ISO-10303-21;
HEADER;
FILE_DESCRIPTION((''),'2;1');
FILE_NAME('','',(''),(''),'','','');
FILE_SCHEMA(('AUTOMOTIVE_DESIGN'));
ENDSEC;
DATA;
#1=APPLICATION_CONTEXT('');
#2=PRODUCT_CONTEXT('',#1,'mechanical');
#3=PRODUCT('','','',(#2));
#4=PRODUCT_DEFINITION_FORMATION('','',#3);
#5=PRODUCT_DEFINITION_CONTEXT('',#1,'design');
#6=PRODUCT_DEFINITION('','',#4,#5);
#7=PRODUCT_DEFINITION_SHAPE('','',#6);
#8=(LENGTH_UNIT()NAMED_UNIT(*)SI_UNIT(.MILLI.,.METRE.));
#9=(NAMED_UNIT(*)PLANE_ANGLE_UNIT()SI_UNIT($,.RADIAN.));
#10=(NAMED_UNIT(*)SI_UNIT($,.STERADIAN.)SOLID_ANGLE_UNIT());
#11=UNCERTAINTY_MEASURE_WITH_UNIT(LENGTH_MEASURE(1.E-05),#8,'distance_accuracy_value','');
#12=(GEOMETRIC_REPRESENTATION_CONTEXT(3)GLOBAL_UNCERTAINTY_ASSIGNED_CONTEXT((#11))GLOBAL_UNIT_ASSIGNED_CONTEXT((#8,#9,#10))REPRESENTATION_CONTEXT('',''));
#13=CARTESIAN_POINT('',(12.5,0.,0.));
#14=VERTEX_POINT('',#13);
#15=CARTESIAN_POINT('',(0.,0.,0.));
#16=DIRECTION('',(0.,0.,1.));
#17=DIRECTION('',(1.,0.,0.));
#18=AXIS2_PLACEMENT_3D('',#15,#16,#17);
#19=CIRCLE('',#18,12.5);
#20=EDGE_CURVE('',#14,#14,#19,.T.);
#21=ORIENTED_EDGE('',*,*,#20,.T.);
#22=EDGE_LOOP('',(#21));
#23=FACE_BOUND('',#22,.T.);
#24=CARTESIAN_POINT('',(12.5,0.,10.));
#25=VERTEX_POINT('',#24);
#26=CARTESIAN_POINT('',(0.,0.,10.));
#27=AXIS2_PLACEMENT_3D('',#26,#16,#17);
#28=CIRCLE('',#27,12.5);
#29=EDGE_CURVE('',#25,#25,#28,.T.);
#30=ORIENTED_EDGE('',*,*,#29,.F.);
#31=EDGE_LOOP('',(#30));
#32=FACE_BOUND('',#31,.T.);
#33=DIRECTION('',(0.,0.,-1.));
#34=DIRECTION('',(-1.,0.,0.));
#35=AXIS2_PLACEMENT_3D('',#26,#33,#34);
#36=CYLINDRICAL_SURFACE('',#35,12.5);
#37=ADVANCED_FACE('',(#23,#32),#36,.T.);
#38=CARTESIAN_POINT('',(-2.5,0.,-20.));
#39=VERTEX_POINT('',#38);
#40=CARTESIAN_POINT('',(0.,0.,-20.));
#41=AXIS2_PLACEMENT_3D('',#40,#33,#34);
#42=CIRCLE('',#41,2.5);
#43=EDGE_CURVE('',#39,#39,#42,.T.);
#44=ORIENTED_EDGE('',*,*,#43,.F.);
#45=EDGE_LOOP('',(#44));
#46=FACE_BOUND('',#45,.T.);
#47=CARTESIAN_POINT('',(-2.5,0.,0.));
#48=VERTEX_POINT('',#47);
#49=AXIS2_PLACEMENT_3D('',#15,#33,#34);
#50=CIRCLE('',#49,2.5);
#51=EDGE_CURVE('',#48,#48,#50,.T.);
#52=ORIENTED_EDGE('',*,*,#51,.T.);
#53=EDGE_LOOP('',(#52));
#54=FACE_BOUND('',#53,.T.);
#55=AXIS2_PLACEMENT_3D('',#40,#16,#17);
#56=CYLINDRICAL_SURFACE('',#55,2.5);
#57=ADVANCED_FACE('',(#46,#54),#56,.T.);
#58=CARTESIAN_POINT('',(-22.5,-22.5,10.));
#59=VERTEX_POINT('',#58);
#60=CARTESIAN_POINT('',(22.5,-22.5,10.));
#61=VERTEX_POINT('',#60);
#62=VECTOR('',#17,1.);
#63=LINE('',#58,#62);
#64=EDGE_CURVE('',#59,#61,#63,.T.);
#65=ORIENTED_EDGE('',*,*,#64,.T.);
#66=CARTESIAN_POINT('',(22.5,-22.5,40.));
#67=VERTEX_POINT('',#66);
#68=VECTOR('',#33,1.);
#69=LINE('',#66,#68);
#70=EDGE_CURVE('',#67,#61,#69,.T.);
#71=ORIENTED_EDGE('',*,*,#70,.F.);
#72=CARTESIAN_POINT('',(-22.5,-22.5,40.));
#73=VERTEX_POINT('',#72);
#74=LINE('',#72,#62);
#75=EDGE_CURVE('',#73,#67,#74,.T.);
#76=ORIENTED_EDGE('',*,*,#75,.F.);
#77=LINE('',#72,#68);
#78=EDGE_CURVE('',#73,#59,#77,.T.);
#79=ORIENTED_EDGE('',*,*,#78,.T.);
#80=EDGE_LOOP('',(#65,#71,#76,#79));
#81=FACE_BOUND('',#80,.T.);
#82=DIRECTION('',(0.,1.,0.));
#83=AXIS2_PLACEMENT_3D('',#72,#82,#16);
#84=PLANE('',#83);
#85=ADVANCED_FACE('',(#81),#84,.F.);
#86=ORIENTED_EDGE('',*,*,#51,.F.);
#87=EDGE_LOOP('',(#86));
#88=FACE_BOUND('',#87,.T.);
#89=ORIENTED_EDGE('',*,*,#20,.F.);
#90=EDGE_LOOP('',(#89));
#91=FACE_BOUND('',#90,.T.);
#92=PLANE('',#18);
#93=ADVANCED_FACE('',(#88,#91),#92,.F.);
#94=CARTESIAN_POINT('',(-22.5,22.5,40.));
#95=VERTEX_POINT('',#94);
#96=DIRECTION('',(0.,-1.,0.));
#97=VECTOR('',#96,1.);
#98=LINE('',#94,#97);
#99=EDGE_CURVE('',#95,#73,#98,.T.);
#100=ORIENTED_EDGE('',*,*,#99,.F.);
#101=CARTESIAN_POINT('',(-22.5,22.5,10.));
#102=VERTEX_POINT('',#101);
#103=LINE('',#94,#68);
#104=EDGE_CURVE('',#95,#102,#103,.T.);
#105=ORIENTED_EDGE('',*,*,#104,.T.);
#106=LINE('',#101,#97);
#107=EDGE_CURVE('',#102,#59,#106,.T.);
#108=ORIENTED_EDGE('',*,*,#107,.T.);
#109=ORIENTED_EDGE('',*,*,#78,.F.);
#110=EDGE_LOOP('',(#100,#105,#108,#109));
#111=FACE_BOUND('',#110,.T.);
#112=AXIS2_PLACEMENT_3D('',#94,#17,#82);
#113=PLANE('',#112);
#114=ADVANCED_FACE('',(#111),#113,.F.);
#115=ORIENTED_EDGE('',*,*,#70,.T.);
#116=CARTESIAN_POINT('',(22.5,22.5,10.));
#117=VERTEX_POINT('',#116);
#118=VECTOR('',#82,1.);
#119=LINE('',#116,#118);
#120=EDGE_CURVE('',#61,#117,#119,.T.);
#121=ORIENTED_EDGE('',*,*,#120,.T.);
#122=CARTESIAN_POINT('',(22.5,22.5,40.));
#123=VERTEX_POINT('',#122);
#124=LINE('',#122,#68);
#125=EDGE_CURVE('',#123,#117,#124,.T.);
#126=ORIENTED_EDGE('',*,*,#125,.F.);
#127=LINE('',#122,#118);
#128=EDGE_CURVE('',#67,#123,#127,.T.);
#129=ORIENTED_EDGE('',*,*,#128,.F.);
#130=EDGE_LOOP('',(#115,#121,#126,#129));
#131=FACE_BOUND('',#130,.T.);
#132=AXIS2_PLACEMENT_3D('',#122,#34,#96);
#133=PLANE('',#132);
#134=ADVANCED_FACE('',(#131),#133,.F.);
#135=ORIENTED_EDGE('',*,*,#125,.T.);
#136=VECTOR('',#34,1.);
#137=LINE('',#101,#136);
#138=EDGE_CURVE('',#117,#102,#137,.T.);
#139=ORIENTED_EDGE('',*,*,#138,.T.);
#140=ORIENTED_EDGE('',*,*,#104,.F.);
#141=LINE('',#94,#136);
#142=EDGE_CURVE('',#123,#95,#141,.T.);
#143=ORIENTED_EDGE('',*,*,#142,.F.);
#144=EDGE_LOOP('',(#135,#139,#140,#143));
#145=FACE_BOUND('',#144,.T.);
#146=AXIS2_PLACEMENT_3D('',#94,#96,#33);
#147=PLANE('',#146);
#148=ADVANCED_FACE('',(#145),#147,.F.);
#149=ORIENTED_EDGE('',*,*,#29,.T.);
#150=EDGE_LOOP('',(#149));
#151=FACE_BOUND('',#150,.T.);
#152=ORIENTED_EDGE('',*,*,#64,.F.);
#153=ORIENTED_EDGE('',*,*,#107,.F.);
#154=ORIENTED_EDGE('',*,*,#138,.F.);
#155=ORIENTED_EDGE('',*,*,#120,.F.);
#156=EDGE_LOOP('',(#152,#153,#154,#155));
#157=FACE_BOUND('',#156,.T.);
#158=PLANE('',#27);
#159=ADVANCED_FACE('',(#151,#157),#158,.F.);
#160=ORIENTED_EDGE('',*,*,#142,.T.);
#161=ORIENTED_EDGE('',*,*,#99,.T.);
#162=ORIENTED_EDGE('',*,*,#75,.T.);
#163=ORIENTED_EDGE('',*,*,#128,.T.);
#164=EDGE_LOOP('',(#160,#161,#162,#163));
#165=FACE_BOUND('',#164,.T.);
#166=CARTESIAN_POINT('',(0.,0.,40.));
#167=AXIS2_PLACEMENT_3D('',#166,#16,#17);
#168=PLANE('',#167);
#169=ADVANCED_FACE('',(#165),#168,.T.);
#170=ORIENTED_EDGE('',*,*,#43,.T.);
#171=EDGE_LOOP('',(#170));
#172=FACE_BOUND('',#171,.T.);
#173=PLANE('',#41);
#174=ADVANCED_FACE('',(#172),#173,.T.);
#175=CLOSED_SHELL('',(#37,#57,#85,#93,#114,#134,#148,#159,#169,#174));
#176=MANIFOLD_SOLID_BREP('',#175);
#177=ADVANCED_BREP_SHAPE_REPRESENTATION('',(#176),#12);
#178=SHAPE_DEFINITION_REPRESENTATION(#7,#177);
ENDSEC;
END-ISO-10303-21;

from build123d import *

# Parameters (mm, degrees)
SKETCH1_R           = 12.5
BOSS_EXTRUDE1_DEPTH = 10
SKETCH2_W           = 45
SKETCH2_H           = 45
BOSS_EXTRUDE2_DEPTH = 30
SKETCH4_R           = 2.5
BOSS_EXTRUDE3_DEPTH = 20


with BuildPart() as part:
    # Sketch1 → Boss-Extrude1 (new body)
    with BuildSketch(Plane.XY):
        Circle(SKETCH1_R)
    extrude(amount=BOSS_EXTRUDE1_DEPTH)

    # Sketch2 → Boss-Extrude2 (add)
    with BuildSketch(Plane.XY.offset(10)):
        Rectangle(SKETCH2_W, SKETCH2_H)
    extrude(amount=BOSS_EXTRUDE2_DEPTH)

    # Sketch4 → Boss-Extrude3 (add)
    with BuildSketch(Plane(origin=(0, 0, 0), x_dir=(-1, 0, 0), z_dir=(0, 0, -1))):
        Circle(SKETCH4_R)
    extrude(amount=BOSS_EXTRUDE3_DEPTH)


solid = part.part
